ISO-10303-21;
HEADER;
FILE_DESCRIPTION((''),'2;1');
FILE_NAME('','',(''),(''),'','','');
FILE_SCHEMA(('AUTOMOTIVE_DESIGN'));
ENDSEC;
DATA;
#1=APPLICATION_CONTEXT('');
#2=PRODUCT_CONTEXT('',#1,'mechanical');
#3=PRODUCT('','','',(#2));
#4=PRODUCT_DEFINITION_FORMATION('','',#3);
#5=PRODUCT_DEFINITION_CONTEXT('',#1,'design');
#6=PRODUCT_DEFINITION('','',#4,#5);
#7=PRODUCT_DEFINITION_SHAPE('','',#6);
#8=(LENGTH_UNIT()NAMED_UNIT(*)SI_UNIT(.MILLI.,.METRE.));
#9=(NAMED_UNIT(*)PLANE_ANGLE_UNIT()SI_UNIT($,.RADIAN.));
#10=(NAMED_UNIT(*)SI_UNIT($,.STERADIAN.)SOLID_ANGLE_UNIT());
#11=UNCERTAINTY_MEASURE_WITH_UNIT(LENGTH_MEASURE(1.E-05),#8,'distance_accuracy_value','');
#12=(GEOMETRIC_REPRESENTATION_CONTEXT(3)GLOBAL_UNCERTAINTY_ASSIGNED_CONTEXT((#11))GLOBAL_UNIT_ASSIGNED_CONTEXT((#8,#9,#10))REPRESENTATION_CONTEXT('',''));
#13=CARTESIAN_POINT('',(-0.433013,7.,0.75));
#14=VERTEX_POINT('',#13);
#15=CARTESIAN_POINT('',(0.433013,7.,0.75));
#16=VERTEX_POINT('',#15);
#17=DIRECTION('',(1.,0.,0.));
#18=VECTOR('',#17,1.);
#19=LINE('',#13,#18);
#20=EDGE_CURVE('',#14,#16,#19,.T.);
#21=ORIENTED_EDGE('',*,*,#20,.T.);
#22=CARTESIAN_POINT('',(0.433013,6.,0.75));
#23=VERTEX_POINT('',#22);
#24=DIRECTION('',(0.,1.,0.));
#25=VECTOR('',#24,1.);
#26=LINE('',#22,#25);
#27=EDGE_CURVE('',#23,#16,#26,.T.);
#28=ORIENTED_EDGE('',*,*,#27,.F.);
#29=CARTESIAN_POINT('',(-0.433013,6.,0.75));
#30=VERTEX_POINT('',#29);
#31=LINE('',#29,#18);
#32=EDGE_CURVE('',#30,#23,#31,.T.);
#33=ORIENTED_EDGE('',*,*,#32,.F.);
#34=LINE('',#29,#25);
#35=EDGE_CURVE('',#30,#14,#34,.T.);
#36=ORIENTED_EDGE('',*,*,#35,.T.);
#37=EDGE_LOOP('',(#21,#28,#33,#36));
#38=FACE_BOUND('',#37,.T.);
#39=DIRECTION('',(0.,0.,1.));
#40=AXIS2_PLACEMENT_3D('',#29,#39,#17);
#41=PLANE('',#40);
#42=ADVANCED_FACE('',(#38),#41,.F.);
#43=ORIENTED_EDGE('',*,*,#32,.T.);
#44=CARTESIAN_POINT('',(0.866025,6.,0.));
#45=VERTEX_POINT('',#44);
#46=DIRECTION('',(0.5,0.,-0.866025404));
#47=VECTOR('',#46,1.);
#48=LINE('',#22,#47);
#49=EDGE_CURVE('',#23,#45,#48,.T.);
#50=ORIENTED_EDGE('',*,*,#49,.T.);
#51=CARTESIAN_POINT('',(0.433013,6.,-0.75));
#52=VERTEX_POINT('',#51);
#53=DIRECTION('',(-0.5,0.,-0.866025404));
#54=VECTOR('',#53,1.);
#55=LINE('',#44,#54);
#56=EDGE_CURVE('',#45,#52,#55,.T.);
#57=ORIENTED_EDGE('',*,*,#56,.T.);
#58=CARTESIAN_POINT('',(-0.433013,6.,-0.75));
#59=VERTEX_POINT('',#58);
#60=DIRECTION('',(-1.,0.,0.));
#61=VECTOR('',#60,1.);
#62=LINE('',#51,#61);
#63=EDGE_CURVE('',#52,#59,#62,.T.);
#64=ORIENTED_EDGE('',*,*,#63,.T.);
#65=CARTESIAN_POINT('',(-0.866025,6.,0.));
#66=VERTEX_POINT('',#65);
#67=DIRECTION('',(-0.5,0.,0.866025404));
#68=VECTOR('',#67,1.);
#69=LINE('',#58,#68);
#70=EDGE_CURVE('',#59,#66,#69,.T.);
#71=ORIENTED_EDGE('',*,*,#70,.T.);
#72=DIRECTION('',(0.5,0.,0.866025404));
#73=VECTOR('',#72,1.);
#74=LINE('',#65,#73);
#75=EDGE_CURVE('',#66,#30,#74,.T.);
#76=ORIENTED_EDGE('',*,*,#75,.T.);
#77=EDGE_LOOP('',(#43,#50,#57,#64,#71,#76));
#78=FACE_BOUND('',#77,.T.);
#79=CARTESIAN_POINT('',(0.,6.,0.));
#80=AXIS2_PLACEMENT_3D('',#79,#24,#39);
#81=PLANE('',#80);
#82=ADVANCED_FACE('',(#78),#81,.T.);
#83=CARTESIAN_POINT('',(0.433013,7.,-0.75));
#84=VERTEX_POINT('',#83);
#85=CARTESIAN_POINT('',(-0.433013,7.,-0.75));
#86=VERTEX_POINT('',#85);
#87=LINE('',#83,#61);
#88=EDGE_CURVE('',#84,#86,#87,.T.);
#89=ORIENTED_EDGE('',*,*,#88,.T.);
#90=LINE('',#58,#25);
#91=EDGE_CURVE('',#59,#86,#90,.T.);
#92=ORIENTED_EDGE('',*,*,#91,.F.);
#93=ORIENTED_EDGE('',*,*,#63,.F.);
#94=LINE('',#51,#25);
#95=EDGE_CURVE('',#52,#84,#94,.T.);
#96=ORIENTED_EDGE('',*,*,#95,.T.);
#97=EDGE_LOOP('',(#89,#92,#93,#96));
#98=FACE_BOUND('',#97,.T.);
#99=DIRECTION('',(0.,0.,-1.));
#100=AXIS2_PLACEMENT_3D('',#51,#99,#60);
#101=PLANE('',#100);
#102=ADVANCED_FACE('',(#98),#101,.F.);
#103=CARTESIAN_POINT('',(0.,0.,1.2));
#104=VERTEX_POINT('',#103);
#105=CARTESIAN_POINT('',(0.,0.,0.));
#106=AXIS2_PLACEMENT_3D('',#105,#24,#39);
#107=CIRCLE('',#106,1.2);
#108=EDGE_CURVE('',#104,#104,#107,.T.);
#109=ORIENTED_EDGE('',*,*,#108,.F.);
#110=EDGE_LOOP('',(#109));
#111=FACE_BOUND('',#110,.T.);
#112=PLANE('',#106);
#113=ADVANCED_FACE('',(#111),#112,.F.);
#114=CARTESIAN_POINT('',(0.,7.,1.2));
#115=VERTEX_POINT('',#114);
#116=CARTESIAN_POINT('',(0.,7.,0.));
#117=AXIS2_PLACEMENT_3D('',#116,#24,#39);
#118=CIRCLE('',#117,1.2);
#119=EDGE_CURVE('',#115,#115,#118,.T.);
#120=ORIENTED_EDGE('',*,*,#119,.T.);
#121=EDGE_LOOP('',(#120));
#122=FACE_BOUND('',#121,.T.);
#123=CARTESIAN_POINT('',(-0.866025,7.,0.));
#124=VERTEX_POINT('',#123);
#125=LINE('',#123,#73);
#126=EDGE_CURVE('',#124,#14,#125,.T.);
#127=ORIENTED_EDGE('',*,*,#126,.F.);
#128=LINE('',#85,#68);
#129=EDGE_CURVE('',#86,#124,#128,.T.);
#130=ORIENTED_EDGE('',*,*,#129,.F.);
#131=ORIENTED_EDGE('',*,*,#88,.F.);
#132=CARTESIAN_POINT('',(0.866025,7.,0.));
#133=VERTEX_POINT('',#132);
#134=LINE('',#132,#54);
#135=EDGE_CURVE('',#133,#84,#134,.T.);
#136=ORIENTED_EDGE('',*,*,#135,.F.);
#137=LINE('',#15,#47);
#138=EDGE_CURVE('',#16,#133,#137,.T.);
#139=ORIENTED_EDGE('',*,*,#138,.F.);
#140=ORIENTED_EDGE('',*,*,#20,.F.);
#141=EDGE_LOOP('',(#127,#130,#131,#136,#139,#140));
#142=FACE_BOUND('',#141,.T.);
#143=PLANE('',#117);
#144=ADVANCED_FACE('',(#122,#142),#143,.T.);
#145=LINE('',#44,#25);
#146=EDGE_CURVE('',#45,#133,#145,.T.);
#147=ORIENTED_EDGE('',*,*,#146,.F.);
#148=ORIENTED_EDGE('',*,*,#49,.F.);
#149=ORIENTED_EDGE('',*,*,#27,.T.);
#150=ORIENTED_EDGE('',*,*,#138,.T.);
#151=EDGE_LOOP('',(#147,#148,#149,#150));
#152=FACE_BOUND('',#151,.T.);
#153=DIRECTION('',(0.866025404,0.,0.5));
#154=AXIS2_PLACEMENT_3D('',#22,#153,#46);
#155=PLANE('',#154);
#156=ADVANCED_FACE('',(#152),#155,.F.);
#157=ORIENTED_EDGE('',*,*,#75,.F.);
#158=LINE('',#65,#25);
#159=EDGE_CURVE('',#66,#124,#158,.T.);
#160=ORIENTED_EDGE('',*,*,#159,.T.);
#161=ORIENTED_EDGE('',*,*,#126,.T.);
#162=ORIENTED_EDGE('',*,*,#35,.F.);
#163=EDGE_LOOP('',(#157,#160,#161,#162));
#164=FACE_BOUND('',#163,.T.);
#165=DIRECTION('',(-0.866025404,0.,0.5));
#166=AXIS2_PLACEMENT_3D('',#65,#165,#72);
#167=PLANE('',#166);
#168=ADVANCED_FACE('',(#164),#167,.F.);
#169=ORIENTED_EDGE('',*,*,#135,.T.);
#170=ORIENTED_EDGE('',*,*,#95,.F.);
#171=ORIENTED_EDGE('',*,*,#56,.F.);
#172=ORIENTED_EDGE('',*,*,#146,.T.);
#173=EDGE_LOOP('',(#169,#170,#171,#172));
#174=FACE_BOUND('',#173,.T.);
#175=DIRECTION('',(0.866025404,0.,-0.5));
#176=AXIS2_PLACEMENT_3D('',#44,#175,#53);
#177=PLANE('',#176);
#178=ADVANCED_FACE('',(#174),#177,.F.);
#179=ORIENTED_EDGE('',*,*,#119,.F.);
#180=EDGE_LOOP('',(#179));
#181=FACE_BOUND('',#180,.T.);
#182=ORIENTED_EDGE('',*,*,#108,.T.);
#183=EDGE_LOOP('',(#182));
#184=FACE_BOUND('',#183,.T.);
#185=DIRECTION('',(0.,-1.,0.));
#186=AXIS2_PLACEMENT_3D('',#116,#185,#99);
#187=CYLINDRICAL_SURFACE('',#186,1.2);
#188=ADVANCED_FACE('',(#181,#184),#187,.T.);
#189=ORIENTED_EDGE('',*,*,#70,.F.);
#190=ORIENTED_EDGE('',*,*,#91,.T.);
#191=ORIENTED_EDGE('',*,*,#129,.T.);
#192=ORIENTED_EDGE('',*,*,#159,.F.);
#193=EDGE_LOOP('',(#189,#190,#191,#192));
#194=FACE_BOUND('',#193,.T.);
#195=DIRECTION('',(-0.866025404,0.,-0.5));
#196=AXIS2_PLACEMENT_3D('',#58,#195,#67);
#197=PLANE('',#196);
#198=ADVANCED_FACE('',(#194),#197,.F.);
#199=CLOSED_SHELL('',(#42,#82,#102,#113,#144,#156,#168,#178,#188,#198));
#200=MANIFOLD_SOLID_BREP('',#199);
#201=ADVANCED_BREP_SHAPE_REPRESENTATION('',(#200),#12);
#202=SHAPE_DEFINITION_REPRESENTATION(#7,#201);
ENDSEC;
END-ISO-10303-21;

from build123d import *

# Parameters (mm, degrees)
SKETCH1_R           = 1.2
BOSS_EXTRUDE1_DEPTH = 7
CUT_EXTRUDE1_DEPTH  = 1


with BuildPart() as part:
    # Sketch1 → Boss-Extrude1 (new body)
    with BuildSketch(Plane(origin=(0, 0, 0), x_dir=(1, 0, 0), z_dir=(0, 1, 0))):
        with Locations(Location((0, 0, 0), (0, 0, 270))):
            Circle(SKETCH1_R)
    extrude(amount=BOSS_EXTRUDE1_DEPTH)

    # Sketch2 → Cut-Extrude1 (cut)
    with BuildSketch(Plane(origin=(0, 7, 0), x_dir=(1, 0, 0), z_dir=(0, 1, 0))):
        Polygon((0.866025404, 0), (0.433012702, 0.75), (-0.433012702, 0.75), (-0.866025404, 0), (-0.433012702, -0.75), (0.433012702, -0.75), align=None)
    extrude(amount=-CUT_EXTRUDE1_DEPTH, mode=Mode.SUBTRACT)


solid = part.part
